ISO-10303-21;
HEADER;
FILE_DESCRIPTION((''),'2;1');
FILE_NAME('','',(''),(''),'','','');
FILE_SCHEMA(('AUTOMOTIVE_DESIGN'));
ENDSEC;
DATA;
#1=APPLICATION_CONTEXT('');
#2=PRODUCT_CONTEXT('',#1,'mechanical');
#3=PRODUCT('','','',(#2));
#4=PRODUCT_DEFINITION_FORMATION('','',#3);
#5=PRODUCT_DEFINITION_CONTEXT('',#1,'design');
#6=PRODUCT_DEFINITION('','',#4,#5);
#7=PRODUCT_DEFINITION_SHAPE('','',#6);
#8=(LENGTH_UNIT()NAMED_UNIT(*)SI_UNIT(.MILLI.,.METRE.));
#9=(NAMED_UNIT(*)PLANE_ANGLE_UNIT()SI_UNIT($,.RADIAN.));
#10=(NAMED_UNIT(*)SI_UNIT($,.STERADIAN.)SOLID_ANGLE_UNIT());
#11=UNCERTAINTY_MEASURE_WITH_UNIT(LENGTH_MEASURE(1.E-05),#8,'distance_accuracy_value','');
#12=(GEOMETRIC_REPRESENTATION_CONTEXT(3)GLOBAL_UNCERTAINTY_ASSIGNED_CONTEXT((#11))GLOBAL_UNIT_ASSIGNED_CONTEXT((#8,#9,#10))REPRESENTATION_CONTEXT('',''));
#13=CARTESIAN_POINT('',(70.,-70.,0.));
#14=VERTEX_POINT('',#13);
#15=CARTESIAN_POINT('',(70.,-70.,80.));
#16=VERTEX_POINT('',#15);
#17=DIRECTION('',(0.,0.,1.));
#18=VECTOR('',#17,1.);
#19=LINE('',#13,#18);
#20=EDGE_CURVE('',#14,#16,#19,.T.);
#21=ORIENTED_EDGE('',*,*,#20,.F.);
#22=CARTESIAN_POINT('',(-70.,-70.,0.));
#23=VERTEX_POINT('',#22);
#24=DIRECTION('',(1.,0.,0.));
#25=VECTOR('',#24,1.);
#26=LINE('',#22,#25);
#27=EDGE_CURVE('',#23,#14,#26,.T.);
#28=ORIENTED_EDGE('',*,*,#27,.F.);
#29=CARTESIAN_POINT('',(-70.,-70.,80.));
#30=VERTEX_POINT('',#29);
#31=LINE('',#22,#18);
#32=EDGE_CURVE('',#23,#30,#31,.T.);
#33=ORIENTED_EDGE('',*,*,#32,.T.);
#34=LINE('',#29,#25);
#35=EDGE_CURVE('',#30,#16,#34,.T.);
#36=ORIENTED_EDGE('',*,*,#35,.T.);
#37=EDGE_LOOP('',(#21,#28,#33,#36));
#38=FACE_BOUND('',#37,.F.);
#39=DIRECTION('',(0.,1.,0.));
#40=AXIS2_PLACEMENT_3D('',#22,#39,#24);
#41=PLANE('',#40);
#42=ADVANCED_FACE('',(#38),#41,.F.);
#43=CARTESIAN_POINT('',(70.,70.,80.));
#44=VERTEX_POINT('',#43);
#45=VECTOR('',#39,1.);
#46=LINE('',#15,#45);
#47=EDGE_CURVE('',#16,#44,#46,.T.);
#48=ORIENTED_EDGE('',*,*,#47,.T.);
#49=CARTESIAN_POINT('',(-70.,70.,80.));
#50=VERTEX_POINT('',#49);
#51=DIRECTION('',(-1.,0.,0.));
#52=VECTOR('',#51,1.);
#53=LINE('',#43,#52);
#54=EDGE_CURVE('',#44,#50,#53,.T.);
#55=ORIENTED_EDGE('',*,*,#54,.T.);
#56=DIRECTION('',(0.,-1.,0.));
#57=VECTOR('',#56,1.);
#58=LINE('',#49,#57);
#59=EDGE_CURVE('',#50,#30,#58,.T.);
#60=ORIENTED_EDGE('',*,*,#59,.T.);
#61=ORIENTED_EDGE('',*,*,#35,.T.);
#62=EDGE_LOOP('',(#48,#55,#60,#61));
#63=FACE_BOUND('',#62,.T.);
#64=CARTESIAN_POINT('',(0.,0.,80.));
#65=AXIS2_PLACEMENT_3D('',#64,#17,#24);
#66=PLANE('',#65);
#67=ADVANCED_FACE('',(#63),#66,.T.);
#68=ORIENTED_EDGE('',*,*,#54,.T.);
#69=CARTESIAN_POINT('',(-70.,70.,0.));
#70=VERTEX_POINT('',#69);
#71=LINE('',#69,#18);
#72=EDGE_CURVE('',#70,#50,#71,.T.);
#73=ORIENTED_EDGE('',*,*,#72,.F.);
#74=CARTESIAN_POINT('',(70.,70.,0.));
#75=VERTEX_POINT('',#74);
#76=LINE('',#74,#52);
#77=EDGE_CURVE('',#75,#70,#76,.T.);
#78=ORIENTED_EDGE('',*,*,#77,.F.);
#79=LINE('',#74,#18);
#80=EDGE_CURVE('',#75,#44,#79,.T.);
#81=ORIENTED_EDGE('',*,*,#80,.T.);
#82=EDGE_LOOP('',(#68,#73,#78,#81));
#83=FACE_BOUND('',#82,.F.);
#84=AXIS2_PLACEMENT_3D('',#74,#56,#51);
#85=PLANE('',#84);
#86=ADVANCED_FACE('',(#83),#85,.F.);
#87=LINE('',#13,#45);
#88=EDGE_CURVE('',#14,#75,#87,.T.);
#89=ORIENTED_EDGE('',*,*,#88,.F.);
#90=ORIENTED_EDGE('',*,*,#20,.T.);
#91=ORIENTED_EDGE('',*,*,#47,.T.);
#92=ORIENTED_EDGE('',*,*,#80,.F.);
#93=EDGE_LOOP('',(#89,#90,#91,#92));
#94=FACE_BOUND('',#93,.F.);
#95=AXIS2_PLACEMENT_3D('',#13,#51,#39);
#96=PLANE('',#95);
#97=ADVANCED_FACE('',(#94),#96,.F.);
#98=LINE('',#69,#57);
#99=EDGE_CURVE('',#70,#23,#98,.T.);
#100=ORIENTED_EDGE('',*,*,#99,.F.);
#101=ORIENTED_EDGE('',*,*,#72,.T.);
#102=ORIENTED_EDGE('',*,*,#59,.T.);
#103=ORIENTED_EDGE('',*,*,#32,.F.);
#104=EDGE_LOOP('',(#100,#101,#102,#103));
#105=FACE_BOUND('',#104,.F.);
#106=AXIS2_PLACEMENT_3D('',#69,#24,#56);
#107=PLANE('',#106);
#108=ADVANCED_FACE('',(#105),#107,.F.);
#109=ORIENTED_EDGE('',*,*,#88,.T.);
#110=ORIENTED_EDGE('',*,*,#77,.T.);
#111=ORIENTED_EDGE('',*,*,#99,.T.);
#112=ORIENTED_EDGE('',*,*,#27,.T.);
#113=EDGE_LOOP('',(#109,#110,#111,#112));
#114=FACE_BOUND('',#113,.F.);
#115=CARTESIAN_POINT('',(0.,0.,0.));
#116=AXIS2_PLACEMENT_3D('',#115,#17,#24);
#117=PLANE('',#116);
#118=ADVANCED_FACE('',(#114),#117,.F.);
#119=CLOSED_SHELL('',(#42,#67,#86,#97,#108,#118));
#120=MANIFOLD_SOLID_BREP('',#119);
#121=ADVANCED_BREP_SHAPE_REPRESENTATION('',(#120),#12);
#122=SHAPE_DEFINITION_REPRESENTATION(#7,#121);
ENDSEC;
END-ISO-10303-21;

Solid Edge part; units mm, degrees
sketch "Sketch1" plane through (0, 0, 0) normal (0, 0, 1) x (1, 0, 0)
  line L0 (-70, -70) -> (70, -70)
  line L1 (70, -70) -> (70, 70)
  line L2 (70, 70) -> (-70, 70)
  line L3 (-70, 70) -> (-70, -70)
  dimension "D1" = 140
  dimension "D2" = 140
extrude "Protrusion1" add sketch "Sketch1" along normal blind 80
